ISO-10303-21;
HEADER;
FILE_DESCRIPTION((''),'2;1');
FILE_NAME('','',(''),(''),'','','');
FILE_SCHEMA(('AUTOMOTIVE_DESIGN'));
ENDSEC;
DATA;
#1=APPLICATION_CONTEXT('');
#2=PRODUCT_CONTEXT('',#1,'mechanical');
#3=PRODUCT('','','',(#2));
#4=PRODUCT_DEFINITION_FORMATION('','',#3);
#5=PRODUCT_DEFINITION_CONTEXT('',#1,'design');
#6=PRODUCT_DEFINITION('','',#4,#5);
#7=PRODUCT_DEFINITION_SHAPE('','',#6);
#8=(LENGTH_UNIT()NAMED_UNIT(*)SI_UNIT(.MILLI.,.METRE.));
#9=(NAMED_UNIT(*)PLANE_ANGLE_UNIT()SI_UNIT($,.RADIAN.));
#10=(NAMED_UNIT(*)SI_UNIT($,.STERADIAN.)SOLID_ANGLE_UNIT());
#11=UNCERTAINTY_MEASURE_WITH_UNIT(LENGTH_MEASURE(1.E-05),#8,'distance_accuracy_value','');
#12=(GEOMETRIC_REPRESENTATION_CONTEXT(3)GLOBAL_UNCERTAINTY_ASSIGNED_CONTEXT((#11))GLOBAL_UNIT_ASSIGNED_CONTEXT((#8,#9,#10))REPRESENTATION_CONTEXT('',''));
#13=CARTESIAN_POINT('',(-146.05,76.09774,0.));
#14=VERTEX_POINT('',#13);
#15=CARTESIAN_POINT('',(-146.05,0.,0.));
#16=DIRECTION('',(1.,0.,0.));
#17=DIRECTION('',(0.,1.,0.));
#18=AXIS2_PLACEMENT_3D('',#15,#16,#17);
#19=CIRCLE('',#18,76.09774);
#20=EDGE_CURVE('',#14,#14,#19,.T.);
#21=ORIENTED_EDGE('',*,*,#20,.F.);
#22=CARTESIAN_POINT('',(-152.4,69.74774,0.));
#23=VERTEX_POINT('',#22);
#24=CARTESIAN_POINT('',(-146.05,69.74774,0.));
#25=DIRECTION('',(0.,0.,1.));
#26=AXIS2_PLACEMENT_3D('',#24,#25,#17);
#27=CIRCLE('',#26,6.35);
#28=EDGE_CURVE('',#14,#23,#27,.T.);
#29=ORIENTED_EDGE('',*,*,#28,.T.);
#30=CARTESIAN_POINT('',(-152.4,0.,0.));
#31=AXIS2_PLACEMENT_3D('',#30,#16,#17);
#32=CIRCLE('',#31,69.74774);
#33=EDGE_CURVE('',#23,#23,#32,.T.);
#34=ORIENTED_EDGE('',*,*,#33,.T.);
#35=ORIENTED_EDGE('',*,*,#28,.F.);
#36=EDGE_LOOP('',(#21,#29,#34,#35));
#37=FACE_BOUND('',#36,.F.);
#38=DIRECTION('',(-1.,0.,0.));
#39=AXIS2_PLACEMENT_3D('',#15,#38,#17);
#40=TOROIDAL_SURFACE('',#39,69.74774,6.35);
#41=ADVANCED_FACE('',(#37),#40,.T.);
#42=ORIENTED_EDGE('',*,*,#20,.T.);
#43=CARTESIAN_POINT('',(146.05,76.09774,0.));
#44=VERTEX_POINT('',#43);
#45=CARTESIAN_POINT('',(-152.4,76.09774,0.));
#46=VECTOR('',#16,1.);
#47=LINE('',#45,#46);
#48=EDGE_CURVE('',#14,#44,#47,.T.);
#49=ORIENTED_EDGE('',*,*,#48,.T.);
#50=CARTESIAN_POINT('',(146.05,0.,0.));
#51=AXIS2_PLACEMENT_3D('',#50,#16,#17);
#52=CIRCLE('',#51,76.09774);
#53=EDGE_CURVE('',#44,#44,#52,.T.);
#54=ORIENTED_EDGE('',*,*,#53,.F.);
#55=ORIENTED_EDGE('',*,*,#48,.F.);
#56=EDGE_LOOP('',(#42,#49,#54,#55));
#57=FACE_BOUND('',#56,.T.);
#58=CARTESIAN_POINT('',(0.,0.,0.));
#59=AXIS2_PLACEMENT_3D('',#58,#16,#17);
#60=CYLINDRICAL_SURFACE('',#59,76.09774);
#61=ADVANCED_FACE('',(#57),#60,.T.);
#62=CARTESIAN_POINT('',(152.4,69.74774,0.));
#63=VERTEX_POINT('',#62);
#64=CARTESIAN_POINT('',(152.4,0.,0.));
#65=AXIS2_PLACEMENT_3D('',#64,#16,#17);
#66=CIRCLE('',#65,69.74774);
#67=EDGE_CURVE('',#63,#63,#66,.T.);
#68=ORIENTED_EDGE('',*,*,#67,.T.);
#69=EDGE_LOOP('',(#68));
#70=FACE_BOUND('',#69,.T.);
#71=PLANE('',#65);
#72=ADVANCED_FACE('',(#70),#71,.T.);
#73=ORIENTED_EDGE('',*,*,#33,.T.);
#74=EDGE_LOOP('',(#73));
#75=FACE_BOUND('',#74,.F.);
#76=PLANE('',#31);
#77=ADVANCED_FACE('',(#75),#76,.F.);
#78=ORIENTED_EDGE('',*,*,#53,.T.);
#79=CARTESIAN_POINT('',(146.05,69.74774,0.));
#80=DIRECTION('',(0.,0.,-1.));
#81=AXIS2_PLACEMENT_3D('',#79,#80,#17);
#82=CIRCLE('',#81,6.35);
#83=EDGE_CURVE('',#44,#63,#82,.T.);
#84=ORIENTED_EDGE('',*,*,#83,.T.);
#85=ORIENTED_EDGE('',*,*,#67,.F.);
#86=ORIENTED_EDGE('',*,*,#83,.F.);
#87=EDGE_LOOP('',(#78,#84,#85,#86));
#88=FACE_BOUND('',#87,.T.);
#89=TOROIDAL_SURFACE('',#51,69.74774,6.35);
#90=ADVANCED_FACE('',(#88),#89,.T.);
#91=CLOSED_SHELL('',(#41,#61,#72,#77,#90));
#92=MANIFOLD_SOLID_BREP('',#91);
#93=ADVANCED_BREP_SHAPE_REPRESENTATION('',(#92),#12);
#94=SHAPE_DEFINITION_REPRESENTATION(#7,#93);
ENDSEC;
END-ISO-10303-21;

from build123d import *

# Parameters (mm, degrees)
F0_R          = 76.09774
F1_DEPTH      = 152.4
F1_DEPTH_BACK = 152.4
F2_R          = 6.35
F3_R          = 6.35


with BuildPart() as f1:
    # F0 (on Right) → F1 (new body, two sides)
    with BuildSketch(Plane.YZ) as f1_sk:
        Circle(F0_R)
    extrude(amount=F1_DEPTH)
    extrude(f1_sk.sketch, amount=-F1_DEPTH_BACK)

    # F2
    f2_edges = [f1.edges().sort_by_distance(p)[0] for p in [
        (152.4, -76.09774, 0),
    ]]
    fillet(f2_edges, radius=F2_R)

    # F3
    f3_edges = [f1.edges().sort_by_distance(p)[0] for p in [
        (-152.4, -76.09774, 0),
    ]]
    fillet(f3_edges, radius=F3_R)


solid = f1.part
